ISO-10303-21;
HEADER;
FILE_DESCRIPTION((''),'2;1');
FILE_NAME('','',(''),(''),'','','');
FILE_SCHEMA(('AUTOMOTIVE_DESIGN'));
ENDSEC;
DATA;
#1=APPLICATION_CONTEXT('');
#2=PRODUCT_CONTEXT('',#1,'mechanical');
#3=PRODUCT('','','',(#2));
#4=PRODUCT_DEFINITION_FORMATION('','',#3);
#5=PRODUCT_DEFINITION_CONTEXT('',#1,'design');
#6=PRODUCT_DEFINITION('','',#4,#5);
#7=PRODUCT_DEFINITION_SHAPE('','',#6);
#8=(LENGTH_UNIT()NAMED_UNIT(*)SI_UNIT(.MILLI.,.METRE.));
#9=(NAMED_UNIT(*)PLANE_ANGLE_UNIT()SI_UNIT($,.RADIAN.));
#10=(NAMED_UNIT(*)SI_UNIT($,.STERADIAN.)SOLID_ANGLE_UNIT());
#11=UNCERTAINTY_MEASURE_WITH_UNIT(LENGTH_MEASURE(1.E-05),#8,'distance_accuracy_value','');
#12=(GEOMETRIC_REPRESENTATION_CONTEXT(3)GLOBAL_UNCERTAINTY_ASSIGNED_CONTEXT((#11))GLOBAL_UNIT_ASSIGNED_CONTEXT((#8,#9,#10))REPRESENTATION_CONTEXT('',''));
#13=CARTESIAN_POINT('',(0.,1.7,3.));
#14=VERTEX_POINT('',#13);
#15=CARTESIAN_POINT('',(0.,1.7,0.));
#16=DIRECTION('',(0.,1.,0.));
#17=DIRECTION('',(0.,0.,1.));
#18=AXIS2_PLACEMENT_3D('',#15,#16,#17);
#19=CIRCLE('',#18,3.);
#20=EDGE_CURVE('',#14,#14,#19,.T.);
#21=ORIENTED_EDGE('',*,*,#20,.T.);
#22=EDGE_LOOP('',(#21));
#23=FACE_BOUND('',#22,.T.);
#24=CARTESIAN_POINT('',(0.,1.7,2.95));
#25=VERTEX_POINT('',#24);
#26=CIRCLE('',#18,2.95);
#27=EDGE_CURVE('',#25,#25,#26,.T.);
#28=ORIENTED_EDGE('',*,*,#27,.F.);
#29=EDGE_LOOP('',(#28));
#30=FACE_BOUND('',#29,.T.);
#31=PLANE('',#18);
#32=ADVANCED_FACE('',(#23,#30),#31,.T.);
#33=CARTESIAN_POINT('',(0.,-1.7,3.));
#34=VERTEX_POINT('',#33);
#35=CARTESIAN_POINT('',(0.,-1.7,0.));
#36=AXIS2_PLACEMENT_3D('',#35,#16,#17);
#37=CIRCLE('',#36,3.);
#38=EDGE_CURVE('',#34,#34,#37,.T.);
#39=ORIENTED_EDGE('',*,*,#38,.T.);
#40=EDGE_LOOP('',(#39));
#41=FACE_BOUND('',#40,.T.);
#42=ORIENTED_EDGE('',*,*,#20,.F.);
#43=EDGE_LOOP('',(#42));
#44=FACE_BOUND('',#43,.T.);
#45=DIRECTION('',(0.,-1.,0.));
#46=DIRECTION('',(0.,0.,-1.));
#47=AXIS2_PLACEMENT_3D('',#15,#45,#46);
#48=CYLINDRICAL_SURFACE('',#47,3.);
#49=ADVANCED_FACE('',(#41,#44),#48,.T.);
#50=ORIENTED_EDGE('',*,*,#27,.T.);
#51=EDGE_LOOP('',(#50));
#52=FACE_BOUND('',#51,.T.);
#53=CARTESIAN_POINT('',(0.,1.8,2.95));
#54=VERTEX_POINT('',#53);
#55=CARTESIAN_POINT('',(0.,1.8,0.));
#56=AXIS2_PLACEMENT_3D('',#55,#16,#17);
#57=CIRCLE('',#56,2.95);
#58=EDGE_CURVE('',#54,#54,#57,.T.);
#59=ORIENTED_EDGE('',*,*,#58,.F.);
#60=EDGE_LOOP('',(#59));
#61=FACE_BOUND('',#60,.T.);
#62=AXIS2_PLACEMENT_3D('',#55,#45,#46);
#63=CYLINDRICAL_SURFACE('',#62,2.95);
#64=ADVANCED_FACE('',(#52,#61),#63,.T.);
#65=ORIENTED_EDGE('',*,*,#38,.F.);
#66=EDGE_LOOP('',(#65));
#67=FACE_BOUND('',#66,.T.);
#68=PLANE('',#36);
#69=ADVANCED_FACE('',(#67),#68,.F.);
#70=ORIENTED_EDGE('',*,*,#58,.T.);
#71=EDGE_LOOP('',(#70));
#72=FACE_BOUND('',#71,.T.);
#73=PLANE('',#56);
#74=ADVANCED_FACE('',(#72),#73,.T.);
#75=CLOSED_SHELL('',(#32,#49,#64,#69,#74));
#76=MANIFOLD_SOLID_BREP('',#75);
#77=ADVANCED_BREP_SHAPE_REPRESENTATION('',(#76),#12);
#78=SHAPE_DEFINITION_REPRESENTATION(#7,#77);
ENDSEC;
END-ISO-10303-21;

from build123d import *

# Parameters (mm, degrees)
SKETCH1_R           = 3
BOSS_EXTRUDE1_DEPTH = 1.7
SKETCH2_R           = 2.95
BOSS_EXTRUDE2_DEPTH = 0.1


with BuildPart() as part:
    # Sketch1 → Boss-Extrude1 (new, symmetric)
    with BuildSketch(Plane(origin=(0, 0, 0), x_dir=(1, 0, 0), z_dir=(0, 1, 0))):
        with Locations(Location((0, 0, 0), (0, 0, 270))):
            Circle(SKETCH1_R)
    extrude(amount=BOSS_EXTRUDE1_DEPTH, both=True)

    # Sketch2 → Boss-Extrude2 (add)
    with BuildSketch(Plane(origin=(0, 1.7, 0), x_dir=(1, 0, 0), z_dir=(0, 1, 0))):
        with Locations(Location((0, 0, 0), (0, 0, 270))):
            Circle(SKETCH2_R)
    extrude(amount=BOSS_EXTRUDE2_DEPTH)


solid = part.part
